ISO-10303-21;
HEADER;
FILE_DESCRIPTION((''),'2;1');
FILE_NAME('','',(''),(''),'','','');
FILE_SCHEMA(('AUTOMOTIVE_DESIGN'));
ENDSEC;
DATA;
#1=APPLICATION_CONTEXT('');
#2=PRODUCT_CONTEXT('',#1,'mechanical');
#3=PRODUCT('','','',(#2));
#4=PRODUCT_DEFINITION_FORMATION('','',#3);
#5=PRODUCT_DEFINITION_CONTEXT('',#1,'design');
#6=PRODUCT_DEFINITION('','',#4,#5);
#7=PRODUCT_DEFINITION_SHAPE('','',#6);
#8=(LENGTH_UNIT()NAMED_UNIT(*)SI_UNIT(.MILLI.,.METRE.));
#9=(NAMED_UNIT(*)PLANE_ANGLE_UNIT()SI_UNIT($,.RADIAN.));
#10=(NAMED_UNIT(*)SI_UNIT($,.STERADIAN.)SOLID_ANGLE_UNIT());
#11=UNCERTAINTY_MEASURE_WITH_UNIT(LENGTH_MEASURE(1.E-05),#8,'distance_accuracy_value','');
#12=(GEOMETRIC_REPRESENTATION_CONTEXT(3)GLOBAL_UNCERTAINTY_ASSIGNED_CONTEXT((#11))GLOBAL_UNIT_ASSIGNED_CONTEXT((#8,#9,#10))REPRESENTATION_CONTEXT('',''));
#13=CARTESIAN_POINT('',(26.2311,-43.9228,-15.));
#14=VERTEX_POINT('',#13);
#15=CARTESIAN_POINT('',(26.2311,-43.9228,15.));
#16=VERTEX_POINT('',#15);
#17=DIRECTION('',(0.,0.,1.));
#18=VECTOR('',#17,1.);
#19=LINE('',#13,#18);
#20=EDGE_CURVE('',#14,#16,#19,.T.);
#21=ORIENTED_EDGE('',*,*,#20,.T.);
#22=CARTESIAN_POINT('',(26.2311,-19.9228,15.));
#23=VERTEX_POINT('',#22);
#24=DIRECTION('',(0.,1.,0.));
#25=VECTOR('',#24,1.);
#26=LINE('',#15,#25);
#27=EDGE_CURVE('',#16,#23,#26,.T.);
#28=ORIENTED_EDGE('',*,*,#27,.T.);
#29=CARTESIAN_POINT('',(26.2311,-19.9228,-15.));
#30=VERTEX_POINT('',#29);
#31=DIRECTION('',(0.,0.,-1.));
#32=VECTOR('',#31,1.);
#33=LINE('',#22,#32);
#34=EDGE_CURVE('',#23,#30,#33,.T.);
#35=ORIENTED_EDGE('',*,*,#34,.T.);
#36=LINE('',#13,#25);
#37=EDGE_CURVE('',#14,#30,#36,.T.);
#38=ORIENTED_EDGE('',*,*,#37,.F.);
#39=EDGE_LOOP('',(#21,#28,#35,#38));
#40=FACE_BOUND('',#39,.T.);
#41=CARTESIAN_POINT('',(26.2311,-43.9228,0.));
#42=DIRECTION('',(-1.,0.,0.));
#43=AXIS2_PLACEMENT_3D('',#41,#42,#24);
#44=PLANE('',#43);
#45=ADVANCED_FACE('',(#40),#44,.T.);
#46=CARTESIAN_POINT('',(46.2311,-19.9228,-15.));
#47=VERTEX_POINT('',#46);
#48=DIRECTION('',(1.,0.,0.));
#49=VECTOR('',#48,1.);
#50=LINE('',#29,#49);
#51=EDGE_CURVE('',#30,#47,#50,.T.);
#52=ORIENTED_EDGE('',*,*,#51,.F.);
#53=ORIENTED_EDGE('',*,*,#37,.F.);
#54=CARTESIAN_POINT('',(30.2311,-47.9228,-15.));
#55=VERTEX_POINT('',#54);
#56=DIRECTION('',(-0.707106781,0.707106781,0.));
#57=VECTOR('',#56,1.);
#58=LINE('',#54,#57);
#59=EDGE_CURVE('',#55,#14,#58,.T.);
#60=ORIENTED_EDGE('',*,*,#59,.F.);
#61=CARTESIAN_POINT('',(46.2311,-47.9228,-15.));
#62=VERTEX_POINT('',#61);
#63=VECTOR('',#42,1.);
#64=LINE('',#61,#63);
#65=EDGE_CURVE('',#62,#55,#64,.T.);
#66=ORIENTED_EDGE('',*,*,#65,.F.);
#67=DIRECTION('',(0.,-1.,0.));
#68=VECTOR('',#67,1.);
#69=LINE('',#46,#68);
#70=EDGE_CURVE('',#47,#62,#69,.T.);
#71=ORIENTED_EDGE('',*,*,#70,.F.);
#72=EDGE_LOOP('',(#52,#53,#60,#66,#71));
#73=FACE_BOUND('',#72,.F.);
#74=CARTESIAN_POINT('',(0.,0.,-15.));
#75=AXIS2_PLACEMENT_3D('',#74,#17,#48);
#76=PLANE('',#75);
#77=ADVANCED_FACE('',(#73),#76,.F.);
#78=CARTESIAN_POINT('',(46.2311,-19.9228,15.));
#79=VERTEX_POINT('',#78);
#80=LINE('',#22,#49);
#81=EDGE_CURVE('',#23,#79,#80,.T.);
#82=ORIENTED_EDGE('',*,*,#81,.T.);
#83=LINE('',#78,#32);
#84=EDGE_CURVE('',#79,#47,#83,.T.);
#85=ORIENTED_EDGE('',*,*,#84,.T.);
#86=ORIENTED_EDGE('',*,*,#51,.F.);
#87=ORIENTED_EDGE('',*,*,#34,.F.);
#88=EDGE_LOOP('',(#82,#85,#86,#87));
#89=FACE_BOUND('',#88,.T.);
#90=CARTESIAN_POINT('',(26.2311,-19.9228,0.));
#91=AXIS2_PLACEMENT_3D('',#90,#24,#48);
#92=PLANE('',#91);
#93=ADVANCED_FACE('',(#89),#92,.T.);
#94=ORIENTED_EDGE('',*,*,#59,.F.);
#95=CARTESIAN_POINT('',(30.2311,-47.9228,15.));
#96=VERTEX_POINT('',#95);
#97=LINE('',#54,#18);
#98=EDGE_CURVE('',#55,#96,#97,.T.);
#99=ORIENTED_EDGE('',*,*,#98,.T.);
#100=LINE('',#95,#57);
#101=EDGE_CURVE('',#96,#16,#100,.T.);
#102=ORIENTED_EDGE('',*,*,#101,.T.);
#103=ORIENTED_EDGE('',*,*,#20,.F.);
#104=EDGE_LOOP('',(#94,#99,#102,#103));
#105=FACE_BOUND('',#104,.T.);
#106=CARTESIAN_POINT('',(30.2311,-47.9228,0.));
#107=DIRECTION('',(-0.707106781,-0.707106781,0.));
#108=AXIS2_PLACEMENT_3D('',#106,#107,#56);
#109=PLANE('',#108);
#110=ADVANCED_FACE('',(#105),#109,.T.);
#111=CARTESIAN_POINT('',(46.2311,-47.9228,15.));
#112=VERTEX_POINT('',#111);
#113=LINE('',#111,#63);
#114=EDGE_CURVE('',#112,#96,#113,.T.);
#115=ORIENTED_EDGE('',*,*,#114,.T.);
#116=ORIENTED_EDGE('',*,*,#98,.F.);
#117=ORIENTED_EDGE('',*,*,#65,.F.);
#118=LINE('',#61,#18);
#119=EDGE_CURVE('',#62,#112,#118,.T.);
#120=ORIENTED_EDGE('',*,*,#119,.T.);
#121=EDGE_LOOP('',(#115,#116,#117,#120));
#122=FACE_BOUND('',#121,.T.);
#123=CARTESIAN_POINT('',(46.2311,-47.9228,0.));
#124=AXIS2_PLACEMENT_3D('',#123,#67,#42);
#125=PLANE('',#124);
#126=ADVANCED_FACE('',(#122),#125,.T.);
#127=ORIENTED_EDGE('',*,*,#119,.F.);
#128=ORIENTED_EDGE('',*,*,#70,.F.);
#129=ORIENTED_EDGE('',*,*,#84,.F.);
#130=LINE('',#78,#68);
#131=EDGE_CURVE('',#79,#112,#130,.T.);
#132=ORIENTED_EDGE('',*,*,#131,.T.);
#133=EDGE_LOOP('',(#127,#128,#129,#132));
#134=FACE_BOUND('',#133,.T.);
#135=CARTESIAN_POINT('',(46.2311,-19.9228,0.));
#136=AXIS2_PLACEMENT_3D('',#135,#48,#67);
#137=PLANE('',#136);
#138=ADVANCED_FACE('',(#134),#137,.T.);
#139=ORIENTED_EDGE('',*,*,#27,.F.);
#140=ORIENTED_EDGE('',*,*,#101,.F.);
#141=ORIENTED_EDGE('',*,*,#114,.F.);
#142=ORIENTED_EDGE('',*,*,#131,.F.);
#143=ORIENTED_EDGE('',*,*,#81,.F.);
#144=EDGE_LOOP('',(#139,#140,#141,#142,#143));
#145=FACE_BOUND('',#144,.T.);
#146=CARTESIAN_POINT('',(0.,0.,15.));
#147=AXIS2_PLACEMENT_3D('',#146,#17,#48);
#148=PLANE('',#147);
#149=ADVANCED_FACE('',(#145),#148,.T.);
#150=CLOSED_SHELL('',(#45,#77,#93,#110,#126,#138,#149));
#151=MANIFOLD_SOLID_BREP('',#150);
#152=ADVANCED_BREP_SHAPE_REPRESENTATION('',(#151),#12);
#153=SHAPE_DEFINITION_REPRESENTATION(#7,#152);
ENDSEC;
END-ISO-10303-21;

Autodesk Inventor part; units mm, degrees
ref_plane "YZ Plane" through (0, 0, 0) normal (1, 0, 0) x (0, 1, 0)
ref_plane "XZ Plane" through (0, 0, 0) normal (0, 1, 0) x (-1, 0, 0)
ref_plane "XY Plane" through (0, 0, 0) normal (0, 0, 1) x (1, 0, 0)
sketch "Skizze1" plane through (0, 0, 0) normal (0, 0, 1) x (1, 0, 0)
  line L0 (26.2311, -43.9228) -> (26.2311, -19.9228)
  line L1 (26.2311, -19.9228) -> (46.2311, -19.9228)
  line L2 (46.2311, -19.9228) -> (46.2311, -47.9228)
  line L3 (46.2311, -47.9228) -> (30.2311, -47.9228)
  line L4 (30.2311, -47.9228) -> (26.2311, -43.9228)
  point P0 (0, 0)
  dimension "d0" = 45
  dimension "d1" = 4
  dimension "d2" = 20
  dimension "d4" = 28
extrude "Extrusion1" add sketch "Skizze1" along normal mid plane 30
properties part number "_WT_Aufnahme_Antriebseinheit2"
